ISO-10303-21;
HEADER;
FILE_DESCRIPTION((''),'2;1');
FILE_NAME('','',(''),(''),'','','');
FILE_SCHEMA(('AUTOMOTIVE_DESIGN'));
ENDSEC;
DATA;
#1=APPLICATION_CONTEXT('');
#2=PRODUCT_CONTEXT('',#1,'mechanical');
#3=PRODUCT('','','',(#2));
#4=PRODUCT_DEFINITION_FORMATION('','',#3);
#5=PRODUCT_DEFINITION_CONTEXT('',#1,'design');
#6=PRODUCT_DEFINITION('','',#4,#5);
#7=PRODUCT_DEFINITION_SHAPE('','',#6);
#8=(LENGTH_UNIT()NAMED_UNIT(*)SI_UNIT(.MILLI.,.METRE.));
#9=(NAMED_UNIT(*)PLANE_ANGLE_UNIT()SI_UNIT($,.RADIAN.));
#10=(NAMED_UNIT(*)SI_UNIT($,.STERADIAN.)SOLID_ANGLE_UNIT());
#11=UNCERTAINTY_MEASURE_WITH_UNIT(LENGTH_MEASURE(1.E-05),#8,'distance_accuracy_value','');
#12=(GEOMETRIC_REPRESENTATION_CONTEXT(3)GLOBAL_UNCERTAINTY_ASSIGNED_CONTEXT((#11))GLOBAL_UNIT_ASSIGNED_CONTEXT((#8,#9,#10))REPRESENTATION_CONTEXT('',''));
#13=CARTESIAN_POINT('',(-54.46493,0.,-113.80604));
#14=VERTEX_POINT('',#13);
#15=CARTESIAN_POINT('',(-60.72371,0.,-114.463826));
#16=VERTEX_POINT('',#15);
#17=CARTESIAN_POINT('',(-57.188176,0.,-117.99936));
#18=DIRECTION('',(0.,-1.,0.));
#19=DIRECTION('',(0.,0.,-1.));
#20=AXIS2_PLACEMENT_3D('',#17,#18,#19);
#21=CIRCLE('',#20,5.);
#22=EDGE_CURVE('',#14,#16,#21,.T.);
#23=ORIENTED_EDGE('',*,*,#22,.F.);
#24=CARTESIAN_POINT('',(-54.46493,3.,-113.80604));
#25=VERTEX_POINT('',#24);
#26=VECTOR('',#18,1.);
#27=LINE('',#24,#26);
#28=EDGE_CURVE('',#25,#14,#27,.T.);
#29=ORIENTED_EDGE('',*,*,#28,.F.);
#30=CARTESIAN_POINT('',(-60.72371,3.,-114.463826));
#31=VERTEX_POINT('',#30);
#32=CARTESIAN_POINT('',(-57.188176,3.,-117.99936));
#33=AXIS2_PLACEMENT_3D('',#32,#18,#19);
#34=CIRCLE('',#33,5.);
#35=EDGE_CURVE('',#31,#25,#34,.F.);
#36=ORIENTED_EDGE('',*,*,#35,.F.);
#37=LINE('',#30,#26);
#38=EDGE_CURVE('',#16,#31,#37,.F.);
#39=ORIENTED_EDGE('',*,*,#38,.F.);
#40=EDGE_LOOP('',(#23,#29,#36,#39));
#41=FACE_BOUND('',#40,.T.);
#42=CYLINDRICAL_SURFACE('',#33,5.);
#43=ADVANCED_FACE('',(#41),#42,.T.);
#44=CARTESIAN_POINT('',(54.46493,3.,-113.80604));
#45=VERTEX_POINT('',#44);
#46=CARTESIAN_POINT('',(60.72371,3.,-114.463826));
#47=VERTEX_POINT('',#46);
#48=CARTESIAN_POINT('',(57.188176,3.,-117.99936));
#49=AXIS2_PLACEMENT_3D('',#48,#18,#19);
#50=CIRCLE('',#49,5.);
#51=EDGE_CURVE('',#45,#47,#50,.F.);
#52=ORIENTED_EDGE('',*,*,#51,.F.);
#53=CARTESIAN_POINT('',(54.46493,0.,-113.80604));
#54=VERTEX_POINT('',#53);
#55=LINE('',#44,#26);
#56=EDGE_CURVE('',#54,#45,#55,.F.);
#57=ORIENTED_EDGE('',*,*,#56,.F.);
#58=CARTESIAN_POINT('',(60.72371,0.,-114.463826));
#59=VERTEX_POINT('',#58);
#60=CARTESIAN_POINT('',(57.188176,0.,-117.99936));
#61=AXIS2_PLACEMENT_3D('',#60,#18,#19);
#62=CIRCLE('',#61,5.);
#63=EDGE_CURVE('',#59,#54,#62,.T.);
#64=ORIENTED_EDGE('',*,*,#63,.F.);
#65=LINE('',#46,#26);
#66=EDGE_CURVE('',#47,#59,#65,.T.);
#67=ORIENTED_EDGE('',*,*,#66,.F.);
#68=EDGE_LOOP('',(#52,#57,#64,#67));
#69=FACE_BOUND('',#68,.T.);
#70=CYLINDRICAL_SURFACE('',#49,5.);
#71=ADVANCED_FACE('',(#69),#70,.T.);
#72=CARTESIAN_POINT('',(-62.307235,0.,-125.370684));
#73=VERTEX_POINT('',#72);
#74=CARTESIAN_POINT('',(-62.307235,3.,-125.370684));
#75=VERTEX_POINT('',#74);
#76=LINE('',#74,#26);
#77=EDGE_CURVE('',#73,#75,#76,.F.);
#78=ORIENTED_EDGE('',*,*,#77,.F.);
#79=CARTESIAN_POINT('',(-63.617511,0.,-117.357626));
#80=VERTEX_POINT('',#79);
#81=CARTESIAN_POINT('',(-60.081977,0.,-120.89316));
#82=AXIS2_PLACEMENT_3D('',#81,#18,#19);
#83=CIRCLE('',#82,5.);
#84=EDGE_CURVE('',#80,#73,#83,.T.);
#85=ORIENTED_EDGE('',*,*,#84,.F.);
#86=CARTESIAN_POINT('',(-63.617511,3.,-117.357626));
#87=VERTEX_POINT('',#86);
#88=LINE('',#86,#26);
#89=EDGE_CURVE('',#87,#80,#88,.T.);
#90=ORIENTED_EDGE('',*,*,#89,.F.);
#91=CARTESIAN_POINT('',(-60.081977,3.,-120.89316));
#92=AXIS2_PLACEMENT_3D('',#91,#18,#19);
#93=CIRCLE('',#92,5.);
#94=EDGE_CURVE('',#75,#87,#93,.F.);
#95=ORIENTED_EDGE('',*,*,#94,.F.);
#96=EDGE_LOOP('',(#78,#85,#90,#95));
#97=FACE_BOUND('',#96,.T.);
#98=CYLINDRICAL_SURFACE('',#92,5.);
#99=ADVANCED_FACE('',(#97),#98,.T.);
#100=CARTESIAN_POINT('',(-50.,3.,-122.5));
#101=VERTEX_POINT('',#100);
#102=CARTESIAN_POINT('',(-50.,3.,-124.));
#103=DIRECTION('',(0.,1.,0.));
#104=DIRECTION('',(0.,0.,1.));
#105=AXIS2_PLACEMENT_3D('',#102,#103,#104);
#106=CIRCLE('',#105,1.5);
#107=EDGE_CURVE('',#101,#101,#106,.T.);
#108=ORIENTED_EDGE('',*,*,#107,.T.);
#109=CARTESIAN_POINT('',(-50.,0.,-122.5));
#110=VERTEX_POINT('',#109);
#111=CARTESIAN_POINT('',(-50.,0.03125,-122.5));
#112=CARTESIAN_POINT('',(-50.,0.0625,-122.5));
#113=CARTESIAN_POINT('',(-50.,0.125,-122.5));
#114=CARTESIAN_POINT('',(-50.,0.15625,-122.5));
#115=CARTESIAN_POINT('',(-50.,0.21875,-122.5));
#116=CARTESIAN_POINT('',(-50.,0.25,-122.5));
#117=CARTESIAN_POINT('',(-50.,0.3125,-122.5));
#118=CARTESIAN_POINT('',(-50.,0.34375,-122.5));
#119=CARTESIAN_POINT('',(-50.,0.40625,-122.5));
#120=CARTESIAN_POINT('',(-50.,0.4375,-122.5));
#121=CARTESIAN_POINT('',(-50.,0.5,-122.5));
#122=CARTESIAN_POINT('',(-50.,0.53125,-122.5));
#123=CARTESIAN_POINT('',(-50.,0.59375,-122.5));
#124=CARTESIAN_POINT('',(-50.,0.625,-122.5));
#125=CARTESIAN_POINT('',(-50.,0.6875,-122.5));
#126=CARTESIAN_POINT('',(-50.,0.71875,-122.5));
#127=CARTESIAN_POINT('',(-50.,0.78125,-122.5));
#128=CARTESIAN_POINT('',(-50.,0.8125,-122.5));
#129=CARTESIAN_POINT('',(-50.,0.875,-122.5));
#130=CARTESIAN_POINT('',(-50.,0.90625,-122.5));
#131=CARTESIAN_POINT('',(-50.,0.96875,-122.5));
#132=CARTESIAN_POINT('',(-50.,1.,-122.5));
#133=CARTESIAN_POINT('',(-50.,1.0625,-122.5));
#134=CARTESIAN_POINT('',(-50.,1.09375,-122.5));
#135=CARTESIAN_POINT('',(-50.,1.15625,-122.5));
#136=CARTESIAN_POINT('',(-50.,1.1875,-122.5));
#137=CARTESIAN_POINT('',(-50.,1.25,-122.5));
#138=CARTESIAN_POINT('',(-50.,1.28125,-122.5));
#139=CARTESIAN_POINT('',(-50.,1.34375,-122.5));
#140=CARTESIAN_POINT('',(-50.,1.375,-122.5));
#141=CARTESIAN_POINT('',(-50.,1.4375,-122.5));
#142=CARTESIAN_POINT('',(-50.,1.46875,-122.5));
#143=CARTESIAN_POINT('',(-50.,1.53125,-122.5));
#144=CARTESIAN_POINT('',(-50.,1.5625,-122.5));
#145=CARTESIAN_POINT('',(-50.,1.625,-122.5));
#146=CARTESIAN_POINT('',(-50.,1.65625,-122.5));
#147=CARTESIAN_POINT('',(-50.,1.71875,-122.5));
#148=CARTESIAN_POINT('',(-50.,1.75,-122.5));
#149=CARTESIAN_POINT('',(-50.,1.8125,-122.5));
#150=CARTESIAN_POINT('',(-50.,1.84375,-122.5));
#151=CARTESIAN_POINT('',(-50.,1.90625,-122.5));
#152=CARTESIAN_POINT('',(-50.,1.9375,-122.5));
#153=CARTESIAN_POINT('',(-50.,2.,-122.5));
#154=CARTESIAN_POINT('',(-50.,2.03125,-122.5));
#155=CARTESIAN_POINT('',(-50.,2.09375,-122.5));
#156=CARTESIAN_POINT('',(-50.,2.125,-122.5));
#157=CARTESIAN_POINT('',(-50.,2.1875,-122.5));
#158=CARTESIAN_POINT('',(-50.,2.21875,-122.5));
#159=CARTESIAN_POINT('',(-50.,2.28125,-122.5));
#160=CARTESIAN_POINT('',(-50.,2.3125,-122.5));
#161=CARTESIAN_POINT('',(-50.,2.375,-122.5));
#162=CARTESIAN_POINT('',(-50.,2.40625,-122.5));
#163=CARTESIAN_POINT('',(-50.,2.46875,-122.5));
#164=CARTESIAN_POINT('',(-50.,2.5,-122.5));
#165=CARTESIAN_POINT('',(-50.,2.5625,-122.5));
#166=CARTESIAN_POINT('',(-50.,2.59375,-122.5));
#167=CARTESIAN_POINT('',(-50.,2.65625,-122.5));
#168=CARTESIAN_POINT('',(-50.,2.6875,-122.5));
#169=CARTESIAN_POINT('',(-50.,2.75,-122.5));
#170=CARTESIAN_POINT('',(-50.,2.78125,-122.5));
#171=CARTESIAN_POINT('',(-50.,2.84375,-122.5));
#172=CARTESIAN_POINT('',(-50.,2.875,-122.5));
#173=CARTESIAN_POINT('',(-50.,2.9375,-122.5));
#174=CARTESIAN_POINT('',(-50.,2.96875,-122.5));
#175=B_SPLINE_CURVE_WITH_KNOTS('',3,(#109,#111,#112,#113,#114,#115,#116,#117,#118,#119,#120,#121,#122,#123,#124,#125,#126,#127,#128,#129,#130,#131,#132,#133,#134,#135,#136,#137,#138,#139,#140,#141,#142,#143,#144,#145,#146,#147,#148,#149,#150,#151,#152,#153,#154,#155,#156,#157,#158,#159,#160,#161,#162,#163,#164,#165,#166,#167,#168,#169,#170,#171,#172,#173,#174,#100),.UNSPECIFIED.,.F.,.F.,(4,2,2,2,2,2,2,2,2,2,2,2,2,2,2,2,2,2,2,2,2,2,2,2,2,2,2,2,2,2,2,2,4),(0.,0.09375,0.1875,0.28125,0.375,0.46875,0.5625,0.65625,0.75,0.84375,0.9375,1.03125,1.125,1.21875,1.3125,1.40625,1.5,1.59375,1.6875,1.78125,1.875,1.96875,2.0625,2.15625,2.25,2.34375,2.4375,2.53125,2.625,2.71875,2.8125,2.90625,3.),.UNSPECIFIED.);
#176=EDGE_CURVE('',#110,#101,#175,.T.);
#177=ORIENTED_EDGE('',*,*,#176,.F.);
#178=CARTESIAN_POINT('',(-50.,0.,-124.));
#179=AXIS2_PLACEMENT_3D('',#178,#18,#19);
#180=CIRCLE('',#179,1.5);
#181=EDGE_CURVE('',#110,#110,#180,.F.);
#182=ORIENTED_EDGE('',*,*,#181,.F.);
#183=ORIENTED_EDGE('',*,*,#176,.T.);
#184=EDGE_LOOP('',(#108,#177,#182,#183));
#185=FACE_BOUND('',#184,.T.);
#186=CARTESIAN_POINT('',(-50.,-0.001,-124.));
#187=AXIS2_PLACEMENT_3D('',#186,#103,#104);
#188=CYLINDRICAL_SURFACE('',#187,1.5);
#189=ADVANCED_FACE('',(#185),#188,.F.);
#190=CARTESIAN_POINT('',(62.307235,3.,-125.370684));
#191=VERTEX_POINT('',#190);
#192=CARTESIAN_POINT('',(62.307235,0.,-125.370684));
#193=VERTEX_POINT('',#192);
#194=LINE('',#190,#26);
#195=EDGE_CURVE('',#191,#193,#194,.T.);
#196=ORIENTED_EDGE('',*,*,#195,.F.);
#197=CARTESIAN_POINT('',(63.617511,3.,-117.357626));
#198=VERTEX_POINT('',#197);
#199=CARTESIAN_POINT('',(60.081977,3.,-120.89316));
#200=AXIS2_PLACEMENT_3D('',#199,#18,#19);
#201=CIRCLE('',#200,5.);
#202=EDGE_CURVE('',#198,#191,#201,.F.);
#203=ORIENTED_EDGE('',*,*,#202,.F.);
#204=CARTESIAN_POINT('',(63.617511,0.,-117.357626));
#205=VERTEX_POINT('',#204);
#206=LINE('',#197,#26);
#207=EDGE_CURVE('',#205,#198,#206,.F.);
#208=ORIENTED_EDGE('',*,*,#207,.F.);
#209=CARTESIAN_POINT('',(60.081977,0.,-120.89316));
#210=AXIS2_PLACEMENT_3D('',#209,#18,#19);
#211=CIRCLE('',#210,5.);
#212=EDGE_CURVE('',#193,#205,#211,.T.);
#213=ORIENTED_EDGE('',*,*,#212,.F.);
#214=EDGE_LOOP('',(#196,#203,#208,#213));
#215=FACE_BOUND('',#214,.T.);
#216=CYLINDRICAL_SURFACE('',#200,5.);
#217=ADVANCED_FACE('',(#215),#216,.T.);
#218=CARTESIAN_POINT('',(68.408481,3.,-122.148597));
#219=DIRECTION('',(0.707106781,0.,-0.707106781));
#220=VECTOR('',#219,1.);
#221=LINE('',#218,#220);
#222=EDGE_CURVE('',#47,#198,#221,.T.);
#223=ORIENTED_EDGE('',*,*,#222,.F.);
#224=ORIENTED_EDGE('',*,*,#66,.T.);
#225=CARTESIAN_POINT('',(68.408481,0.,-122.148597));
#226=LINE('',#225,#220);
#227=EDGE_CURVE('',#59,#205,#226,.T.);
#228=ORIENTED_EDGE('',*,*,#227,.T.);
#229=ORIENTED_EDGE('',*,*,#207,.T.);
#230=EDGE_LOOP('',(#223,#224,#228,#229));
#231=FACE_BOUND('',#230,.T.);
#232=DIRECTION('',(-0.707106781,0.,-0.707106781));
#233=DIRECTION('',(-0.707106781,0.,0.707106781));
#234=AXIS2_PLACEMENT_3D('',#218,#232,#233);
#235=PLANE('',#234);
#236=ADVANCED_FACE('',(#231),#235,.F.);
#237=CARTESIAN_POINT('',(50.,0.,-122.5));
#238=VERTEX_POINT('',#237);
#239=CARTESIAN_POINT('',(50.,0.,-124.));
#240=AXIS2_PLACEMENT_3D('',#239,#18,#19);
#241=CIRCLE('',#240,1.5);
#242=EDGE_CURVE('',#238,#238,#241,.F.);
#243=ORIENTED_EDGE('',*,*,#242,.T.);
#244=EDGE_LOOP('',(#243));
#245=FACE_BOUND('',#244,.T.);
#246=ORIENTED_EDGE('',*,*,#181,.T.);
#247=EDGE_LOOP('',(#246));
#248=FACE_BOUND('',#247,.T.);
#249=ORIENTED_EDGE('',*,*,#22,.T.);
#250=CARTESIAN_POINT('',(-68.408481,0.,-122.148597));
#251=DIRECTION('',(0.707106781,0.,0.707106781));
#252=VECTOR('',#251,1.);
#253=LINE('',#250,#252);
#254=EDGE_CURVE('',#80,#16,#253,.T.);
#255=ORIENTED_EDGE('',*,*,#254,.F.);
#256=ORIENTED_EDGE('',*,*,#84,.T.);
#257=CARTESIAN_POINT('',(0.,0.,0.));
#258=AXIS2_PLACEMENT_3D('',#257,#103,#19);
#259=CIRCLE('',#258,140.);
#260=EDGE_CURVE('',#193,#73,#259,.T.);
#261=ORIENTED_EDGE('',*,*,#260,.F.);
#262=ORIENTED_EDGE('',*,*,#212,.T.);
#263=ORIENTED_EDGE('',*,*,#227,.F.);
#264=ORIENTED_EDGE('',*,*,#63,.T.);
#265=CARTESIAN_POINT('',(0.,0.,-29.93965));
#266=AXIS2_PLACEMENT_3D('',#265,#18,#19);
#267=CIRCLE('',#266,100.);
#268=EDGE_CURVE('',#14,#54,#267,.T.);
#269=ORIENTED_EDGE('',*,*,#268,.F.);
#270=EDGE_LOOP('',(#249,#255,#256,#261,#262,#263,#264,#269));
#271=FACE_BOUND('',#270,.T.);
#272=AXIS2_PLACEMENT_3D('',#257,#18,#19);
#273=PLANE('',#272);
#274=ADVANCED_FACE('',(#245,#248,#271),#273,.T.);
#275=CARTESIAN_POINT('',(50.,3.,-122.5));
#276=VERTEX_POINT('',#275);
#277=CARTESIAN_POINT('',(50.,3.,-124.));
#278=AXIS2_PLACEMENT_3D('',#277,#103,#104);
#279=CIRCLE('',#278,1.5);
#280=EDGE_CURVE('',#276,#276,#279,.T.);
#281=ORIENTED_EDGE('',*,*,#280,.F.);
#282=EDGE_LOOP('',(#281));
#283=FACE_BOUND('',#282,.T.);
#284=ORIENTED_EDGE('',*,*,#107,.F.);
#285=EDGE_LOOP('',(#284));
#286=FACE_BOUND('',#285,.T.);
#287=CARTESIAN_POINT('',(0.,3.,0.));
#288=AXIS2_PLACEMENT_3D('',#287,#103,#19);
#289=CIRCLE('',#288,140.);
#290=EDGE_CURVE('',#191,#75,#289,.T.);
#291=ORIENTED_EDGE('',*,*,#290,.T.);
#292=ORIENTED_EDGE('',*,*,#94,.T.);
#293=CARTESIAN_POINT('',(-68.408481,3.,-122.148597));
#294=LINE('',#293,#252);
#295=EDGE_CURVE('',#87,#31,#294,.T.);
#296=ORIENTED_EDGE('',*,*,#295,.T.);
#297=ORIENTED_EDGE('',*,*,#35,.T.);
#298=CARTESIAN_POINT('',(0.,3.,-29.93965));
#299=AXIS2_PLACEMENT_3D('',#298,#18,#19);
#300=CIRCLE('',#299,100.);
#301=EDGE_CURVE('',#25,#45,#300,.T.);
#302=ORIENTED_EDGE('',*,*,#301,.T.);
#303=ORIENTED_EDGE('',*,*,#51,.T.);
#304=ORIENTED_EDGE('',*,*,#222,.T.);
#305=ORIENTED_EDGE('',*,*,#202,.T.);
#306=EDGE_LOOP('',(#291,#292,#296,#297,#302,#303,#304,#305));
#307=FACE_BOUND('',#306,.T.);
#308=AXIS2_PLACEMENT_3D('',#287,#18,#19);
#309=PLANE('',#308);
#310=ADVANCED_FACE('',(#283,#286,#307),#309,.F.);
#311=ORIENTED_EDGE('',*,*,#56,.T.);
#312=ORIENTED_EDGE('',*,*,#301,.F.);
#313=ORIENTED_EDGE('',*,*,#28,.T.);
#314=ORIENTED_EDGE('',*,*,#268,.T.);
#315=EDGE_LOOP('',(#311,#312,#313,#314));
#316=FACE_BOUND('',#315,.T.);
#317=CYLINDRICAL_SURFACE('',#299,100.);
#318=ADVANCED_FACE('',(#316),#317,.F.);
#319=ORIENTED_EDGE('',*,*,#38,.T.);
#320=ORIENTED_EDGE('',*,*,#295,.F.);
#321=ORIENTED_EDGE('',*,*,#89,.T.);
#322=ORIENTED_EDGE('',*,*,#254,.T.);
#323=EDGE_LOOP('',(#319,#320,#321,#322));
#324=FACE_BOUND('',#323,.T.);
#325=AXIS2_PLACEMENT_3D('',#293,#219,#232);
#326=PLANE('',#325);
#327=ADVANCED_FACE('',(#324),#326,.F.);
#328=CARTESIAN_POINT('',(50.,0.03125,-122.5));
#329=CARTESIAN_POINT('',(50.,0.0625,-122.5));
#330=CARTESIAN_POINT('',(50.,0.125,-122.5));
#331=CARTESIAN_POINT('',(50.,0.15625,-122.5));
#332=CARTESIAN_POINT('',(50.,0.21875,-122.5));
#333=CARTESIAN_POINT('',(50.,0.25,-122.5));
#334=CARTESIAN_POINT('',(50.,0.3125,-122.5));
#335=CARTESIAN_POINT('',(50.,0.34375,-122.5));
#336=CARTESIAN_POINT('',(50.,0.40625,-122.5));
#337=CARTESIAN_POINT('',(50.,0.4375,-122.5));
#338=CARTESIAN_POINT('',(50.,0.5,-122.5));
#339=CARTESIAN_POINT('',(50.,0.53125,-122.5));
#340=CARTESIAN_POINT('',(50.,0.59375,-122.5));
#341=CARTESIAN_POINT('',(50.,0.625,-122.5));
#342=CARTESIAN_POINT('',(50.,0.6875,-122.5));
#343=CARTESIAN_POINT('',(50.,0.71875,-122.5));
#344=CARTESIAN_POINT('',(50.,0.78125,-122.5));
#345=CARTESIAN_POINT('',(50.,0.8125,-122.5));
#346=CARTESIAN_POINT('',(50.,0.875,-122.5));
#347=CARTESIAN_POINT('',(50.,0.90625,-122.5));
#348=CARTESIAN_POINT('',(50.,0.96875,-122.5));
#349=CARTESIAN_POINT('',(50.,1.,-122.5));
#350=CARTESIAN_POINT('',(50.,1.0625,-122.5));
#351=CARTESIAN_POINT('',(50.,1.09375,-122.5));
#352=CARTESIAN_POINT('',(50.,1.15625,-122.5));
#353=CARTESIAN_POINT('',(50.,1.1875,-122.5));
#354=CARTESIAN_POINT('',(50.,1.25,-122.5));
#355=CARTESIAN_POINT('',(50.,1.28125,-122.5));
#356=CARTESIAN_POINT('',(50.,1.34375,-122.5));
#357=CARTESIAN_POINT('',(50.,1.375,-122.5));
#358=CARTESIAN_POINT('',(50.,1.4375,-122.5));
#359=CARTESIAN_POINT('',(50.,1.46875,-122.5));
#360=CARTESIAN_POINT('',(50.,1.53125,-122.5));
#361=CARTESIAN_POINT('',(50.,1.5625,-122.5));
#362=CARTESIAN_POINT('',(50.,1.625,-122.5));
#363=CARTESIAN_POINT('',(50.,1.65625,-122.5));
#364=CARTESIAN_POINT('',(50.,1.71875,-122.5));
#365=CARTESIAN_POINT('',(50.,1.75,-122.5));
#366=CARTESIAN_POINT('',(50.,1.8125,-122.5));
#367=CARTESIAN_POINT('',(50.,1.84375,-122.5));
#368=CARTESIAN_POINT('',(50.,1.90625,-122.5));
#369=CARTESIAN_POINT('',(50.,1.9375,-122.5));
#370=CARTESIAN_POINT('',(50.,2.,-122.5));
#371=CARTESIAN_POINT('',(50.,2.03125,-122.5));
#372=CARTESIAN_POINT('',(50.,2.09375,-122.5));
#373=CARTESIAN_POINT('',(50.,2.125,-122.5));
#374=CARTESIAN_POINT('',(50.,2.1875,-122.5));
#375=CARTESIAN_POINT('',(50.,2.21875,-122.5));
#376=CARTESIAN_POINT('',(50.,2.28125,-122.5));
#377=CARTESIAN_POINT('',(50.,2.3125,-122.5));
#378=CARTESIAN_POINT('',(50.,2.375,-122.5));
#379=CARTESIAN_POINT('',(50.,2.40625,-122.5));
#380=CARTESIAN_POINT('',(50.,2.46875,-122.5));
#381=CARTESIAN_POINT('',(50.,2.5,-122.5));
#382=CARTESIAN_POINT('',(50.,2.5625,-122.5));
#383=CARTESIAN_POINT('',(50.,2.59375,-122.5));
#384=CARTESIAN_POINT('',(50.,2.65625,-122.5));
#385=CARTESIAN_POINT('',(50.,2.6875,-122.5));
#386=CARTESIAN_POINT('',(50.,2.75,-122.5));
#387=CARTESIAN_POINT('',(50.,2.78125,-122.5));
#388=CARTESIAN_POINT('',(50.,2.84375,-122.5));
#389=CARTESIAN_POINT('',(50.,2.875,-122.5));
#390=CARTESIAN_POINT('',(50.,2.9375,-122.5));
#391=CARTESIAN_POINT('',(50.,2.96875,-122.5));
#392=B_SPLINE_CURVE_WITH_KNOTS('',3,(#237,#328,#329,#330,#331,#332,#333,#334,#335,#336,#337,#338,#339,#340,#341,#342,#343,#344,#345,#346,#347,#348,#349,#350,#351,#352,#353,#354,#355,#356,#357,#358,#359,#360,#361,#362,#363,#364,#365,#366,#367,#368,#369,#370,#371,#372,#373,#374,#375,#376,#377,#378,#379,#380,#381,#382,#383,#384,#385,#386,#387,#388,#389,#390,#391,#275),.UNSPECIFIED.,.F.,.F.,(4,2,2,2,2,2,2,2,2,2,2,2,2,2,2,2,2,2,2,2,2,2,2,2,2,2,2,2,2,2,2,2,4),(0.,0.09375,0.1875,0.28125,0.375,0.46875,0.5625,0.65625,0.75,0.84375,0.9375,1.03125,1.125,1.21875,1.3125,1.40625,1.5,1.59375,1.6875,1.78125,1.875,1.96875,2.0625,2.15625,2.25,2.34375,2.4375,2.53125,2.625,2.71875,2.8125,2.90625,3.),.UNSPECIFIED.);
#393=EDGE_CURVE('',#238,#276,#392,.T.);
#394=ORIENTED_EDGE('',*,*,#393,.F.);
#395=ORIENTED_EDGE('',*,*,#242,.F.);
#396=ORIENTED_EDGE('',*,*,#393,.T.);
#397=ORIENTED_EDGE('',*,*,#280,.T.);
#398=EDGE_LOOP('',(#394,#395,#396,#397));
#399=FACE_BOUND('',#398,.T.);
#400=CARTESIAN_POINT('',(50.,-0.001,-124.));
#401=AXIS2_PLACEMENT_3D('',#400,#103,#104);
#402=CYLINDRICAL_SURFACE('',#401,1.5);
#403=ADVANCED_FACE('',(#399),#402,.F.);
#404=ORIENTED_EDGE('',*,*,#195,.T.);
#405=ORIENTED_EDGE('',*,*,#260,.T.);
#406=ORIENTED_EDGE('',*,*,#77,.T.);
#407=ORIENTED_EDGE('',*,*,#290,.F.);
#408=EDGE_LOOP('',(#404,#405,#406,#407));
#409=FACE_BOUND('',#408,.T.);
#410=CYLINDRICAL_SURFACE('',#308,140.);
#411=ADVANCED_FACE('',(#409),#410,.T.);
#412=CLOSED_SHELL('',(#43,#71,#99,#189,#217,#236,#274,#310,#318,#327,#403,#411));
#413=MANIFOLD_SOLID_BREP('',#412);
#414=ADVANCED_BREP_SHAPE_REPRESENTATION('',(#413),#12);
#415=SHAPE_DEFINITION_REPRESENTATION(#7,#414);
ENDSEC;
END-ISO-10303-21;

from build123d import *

# Parameters (mm, degrees)
BOSS_EXTRUDE1_DEPTH = 3
FILLET1_R           = 5
CUT_EXTRUDE1_REACH  = 156.417
SKETCH2_R           = 1.5


with BuildPart() as part:
    # Sketch1 → Boss-Extrude1 (new body)
    with BuildSketch(Plane(origin=(0, 0, 0), x_dir=(1, 0, 0), z_dir=(0, 1, 0))):
        with BuildLine():
            Line((-68.408481347, 122.148596717), (-57.801879629, 111.541994999))
            ThreePointArc((-57.801879629, 111.541994999), (0, 129.939649987), (57.801879629, 111.541994999))
            Line((57.801879629, 111.541994999), (68.408481347, 122.148596717))
            ThreePointArc((68.408481347, 122.148596717), (0, 140), (-68.408481347, 122.148596717))
        make_face()
    extrude(amount=BOSS_EXTRUDE1_DEPTH)

    # Fillet1
    fillet1_edges = [part.edges().sort_by_distance(p)[0] for p in [
        (68.408481347, 1.5, -122.148596717),
        (57.801879629, 1.5, -111.541994999),
        (-57.801879629, 1.5, -111.541994999),
        (-68.408481347, 1.5, -122.148596717),
    ]]
    fillet(fillet1_edges, radius=FILLET1_R)

    # Sketch2 → Cut-Extrude1 (cut, up to next)
    with BuildSketch(Plane(origin=(0, 3, 0), x_dir=(1, 0, 0), z_dir=(0, 1, 0)), mode=Mode.PRIVATE) as cut_extrude1_sk1:
        with Locations(Location((-50, 124, 0), (0, 0, 270))):
            Circle(SKETCH2_R)
    cut_extrude1_tool1 = extrude(cut_extrude1_sk1.sketch, amount=-CUT_EXTRUDE1_REACH, mode=Mode.PRIVATE) & part.part
    # Sketch2 → Cut-Extrude1 (cut, up to next)
    with BuildSketch(Plane(origin=(0, 3, 0), x_dir=(1, 0, 0), z_dir=(0, 1, 0)), mode=Mode.PRIVATE) as cut_extrude1_sk2:
        with Locations(Location((50, 124, 0), (0, 0, 270))):
            Circle(SKETCH2_R)
    cut_extrude1_tool2 = extrude(cut_extrude1_sk2.sketch, amount=-CUT_EXTRUDE1_REACH, mode=Mode.PRIVATE) & part.part
    add(cut_extrude1_tool1.solids().sort_by_distance((-50, 3, -124))[0], mode=Mode.SUBTRACT)
    add(cut_extrude1_tool2.solids().sort_by_distance((50, 3, -124))[0], mode=Mode.SUBTRACT)


solid = part.part
